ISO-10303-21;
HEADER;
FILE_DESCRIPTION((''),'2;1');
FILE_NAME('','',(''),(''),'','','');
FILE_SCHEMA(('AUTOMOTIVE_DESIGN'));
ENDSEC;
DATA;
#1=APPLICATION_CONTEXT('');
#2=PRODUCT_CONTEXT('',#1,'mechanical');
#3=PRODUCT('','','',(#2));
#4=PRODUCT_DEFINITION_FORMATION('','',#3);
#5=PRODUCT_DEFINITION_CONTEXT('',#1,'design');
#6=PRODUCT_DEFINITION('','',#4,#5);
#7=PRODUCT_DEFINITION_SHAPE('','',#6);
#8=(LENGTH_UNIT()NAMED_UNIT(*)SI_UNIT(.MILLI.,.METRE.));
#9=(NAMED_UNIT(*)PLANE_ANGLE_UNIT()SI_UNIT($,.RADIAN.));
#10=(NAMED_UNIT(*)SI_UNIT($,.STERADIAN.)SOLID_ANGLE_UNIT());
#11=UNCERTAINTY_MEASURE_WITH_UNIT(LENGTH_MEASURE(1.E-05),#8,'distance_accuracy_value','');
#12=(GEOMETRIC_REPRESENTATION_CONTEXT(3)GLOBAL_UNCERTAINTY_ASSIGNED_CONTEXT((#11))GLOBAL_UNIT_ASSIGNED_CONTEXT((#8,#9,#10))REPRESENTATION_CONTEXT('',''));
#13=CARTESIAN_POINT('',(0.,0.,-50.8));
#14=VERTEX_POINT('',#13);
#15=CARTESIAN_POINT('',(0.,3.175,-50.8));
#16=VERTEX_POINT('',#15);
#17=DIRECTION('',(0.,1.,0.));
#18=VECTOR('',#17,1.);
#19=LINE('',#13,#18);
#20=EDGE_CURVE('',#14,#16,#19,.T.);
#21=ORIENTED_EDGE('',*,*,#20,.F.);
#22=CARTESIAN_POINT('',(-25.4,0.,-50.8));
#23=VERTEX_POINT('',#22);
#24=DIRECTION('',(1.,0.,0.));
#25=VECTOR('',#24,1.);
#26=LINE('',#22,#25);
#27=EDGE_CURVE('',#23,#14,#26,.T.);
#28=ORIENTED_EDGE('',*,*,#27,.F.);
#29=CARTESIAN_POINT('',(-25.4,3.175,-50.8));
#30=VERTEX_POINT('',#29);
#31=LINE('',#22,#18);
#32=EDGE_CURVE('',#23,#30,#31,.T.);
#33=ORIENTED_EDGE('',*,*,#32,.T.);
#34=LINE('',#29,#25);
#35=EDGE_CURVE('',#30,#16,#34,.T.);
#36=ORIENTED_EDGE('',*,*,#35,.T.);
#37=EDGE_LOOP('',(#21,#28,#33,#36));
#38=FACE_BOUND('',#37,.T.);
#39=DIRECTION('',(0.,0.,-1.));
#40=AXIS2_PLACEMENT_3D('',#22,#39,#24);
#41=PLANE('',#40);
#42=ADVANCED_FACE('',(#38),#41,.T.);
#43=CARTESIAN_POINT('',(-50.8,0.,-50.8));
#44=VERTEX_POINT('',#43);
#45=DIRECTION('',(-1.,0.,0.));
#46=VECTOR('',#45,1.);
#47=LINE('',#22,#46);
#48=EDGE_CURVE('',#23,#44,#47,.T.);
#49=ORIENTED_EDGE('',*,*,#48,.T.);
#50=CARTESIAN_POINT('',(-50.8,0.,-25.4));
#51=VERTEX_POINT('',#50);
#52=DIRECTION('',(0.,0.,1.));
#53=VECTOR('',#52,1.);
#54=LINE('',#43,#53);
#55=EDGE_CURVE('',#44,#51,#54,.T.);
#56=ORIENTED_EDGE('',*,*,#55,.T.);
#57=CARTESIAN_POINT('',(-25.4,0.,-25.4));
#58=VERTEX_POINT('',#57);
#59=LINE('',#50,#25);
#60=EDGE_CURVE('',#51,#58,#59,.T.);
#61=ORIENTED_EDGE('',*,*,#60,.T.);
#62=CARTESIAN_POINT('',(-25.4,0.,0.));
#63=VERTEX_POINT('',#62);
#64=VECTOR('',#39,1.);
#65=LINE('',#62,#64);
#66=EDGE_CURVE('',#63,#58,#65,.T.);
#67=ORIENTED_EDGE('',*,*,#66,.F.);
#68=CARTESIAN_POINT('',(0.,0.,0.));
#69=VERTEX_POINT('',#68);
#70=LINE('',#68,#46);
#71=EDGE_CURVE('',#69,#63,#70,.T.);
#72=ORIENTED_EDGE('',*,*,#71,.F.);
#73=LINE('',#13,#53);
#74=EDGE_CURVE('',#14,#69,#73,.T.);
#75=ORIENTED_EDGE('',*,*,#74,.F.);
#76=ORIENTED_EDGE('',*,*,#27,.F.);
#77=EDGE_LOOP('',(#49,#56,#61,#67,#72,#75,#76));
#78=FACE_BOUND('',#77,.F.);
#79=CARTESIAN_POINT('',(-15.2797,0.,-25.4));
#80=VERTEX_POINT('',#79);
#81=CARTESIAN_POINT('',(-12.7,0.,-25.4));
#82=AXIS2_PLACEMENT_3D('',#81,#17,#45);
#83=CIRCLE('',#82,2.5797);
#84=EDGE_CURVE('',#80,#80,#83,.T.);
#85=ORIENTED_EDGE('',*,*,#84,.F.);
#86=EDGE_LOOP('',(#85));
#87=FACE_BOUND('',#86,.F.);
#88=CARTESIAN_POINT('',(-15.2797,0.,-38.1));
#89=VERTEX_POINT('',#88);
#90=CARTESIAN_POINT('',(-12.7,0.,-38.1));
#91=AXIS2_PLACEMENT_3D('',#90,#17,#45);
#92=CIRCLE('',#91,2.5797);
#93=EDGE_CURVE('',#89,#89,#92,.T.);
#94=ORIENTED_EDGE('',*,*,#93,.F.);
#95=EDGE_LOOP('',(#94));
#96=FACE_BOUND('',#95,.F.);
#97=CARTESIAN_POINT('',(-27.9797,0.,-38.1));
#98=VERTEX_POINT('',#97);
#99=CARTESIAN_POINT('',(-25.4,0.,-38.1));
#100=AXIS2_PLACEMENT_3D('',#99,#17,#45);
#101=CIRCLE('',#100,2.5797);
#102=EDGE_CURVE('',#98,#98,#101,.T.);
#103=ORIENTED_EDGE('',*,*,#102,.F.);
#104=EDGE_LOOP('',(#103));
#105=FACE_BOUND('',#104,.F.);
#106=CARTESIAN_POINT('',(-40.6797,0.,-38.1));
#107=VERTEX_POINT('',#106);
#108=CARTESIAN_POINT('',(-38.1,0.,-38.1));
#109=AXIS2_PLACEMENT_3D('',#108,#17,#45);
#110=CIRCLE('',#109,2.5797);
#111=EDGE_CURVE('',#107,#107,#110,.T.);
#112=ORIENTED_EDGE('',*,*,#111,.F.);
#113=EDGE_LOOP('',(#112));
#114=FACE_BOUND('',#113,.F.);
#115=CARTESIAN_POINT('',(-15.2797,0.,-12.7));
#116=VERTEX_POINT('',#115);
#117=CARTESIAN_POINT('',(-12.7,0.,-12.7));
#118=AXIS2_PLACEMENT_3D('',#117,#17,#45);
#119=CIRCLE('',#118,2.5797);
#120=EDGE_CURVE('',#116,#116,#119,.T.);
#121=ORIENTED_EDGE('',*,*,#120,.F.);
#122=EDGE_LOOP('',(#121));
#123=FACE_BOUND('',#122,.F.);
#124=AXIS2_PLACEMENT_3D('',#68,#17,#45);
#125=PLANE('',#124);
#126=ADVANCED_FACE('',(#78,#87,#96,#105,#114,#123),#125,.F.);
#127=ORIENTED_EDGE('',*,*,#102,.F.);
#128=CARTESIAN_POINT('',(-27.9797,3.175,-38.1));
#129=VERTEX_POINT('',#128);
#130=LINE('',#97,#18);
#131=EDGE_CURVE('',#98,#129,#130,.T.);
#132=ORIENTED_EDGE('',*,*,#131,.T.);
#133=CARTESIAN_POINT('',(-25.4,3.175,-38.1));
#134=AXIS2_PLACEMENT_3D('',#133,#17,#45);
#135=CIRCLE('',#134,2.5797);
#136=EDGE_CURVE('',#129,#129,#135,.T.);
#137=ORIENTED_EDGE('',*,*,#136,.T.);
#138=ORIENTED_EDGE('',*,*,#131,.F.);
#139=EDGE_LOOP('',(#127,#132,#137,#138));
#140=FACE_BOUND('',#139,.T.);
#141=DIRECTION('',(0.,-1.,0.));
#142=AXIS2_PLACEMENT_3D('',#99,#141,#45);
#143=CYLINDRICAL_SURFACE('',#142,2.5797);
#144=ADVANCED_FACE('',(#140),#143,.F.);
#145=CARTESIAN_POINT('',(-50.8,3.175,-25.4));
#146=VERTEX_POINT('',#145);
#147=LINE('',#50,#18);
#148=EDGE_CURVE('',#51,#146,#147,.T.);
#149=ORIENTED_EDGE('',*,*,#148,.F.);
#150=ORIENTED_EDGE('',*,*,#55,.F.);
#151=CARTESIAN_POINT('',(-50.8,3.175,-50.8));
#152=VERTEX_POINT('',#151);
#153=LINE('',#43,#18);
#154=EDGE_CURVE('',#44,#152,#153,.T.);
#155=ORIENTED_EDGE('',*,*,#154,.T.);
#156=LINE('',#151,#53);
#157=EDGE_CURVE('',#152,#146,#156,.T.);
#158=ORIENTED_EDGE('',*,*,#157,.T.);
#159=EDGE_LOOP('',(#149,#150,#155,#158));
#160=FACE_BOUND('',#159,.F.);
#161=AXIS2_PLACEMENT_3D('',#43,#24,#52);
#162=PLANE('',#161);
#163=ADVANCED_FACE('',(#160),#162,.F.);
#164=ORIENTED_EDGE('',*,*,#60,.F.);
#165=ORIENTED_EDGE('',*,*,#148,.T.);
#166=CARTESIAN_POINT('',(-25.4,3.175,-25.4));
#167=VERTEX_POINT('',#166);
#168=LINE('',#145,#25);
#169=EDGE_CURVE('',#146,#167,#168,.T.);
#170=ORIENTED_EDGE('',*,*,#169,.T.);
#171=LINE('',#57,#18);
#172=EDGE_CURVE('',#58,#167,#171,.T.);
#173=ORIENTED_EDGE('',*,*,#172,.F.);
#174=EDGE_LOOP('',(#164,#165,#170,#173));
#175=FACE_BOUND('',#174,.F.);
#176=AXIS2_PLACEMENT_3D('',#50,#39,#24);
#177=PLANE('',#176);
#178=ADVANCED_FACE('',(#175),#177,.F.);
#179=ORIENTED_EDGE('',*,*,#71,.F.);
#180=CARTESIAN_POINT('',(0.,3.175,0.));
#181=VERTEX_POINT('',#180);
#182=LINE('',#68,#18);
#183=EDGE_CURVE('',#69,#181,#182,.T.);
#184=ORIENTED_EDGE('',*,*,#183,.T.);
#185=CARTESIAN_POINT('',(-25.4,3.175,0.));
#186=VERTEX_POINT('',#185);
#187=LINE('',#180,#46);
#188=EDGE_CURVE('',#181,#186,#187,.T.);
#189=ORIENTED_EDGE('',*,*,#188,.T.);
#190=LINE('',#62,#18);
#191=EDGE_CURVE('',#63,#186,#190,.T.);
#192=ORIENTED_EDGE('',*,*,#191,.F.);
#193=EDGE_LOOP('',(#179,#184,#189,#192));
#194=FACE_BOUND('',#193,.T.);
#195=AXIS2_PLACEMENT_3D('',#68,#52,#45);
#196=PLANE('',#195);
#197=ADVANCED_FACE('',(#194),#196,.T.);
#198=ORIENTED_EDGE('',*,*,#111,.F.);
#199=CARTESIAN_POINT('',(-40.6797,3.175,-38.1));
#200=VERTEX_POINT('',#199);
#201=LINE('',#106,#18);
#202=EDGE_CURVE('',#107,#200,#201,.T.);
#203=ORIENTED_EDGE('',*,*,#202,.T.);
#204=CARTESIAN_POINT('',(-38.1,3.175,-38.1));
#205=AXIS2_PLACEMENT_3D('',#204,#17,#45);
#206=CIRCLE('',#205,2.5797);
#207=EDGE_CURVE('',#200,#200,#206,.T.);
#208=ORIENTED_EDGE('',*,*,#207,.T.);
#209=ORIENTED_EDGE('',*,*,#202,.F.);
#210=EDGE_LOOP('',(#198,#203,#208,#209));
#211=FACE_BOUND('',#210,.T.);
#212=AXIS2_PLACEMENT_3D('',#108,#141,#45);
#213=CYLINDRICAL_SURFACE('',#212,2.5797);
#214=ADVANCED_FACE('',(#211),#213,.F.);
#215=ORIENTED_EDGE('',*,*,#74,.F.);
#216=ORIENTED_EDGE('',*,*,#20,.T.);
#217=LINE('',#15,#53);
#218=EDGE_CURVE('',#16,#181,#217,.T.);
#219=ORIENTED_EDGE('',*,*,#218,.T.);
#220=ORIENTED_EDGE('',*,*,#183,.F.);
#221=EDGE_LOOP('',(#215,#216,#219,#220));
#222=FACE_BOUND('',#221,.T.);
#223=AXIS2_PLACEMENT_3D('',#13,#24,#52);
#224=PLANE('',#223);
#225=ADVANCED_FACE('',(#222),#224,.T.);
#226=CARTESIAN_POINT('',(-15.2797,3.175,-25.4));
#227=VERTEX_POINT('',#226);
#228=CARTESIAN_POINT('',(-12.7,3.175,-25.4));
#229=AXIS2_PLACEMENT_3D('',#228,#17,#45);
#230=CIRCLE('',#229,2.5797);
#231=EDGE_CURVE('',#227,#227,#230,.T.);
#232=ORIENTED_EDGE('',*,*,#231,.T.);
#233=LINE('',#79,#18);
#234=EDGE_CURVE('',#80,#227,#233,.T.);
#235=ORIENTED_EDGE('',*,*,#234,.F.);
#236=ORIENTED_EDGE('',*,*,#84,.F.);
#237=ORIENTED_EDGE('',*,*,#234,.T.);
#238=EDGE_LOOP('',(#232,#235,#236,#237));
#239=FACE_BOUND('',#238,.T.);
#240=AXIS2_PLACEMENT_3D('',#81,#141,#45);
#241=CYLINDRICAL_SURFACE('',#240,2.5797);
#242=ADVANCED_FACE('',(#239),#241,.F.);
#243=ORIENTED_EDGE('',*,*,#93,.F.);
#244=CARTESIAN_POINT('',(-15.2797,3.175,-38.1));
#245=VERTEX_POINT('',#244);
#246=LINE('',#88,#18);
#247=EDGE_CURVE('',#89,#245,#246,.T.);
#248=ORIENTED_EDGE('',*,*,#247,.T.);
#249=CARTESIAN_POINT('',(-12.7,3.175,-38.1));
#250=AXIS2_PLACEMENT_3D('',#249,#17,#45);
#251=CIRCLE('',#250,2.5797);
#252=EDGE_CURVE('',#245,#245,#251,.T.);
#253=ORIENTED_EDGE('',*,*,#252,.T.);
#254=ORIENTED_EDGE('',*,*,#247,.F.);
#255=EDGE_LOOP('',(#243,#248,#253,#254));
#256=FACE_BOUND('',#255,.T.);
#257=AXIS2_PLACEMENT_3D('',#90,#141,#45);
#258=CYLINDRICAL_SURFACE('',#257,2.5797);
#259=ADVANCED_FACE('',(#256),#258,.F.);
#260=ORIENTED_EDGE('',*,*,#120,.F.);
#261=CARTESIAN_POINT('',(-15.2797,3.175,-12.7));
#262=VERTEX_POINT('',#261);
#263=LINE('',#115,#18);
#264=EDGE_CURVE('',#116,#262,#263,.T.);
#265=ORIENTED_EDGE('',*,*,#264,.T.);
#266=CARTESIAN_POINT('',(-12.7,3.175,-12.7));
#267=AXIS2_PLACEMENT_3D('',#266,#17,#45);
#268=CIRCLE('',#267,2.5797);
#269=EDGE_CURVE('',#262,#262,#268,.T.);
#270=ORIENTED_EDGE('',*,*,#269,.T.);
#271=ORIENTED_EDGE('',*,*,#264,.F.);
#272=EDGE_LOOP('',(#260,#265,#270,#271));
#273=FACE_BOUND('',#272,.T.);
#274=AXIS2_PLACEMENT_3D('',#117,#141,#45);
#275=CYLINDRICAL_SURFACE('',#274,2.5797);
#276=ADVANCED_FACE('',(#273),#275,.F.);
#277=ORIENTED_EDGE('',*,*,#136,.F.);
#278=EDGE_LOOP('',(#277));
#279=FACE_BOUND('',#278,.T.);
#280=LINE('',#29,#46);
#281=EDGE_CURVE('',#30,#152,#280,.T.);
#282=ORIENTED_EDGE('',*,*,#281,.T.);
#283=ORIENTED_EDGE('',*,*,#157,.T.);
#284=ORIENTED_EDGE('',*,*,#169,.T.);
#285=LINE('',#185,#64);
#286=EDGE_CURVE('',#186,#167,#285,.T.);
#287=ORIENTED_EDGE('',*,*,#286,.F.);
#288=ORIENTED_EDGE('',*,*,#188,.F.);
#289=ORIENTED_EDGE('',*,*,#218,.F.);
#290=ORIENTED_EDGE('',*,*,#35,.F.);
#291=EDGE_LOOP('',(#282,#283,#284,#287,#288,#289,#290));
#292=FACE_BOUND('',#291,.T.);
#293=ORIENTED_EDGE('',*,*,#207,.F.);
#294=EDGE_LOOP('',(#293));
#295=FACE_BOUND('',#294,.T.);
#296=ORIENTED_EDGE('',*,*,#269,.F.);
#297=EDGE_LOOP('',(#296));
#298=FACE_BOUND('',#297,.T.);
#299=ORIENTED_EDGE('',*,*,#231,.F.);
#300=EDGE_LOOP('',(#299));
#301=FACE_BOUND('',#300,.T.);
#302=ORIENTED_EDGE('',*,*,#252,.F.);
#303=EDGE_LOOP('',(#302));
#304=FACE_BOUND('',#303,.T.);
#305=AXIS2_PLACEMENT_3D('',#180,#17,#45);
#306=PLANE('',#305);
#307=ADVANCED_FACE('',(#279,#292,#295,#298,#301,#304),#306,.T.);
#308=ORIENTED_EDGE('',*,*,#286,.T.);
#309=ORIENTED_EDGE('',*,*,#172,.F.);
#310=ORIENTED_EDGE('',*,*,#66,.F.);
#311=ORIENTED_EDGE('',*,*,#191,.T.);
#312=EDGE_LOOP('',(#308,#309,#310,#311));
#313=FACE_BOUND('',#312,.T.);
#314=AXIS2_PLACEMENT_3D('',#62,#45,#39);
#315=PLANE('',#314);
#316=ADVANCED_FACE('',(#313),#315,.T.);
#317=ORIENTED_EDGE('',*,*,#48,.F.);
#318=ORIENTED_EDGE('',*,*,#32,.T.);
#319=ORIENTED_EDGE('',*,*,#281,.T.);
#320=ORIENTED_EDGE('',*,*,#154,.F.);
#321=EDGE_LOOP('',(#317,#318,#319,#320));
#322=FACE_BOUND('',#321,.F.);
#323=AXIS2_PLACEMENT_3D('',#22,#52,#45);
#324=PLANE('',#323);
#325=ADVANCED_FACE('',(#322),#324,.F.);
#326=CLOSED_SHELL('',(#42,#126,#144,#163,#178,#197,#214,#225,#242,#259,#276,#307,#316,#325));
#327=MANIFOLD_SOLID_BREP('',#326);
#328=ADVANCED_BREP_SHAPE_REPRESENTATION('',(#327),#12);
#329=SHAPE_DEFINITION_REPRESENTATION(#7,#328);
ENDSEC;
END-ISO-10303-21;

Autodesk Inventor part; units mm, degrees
ref_plane "YZ Plane" through (0, 0, 0) normal (1, 0, 0) x (0, 1, 0)
ref_plane "XZ Plane" through (0, 0, 0) normal (0, 1, 0) x (-1, 0, 0)
ref_plane "XY Plane" through (0, 0, 0) normal (0, 0, 1) x (1, 0, 0)
sketch "Sketch1" plane through (0, 0, 0) normal (0, 1, 0) x (-1, 0, 0)
  line L0 (0, 0) -> (25.4, 0)
  line L1 (25.4, 0) -> (25.4, -25.4)
  line L2 (25.4, -50.8) -> (0, -50.8)
  line L3 (0, -50.8) -> (0, 0)
  line L4 (25.4, -50.8) -> (50.8, -50.8)
  line L5 (50.8, -50.8) -> (50.8, -25.4)
  line L6 (50.8, -25.4) -> (25.4, -25.4)
  line L7 (12.7, 0) -> (12.7, -12.7) construction
  line L8 (12.7, -12.7) -> (12.7, -25.4) construction
  line L9 (12.7, -25.4) -> (12.7, -38.1) construction
  line L10 (12.7, -38.1) -> (25.4, -38.1) construction
  line L11 (25.4, -38.1) -> (38.1, -38.1) construction
  line L12 (38.1, -38.1) -> (50.8, -38.1) construction
  circle A0 centre (12.7, -12.7) radius 2.5797
  circle A1 centre (12.7, -25.4) radius 2.5797
  circle A2 centre (12.7, -38.1) radius 2.5797
  circle A3 centre (25.4, -38.1) radius 2.5797
  circle A4 centre (38.1, -38.1) radius 2.5797
  dimension "d0" = 25.4
  dimension "d2" = 25.4
  dimension "d3" = 25.4
  dimension "d4" = 12.7
  dimension "d5" = 12.7
  dimension "d6" = 12.7
  dimension "d7" = 5.1594
  dimension "d8" = 5.1594
  dimension "d9" = 5.1594
  dimension "d10" = 5.1594
  dimension "d11" = 5.1594
extrude "Extrusion1" add sketch "Sketch1" along normal blind 3.175
properties part number "8020 connector"
